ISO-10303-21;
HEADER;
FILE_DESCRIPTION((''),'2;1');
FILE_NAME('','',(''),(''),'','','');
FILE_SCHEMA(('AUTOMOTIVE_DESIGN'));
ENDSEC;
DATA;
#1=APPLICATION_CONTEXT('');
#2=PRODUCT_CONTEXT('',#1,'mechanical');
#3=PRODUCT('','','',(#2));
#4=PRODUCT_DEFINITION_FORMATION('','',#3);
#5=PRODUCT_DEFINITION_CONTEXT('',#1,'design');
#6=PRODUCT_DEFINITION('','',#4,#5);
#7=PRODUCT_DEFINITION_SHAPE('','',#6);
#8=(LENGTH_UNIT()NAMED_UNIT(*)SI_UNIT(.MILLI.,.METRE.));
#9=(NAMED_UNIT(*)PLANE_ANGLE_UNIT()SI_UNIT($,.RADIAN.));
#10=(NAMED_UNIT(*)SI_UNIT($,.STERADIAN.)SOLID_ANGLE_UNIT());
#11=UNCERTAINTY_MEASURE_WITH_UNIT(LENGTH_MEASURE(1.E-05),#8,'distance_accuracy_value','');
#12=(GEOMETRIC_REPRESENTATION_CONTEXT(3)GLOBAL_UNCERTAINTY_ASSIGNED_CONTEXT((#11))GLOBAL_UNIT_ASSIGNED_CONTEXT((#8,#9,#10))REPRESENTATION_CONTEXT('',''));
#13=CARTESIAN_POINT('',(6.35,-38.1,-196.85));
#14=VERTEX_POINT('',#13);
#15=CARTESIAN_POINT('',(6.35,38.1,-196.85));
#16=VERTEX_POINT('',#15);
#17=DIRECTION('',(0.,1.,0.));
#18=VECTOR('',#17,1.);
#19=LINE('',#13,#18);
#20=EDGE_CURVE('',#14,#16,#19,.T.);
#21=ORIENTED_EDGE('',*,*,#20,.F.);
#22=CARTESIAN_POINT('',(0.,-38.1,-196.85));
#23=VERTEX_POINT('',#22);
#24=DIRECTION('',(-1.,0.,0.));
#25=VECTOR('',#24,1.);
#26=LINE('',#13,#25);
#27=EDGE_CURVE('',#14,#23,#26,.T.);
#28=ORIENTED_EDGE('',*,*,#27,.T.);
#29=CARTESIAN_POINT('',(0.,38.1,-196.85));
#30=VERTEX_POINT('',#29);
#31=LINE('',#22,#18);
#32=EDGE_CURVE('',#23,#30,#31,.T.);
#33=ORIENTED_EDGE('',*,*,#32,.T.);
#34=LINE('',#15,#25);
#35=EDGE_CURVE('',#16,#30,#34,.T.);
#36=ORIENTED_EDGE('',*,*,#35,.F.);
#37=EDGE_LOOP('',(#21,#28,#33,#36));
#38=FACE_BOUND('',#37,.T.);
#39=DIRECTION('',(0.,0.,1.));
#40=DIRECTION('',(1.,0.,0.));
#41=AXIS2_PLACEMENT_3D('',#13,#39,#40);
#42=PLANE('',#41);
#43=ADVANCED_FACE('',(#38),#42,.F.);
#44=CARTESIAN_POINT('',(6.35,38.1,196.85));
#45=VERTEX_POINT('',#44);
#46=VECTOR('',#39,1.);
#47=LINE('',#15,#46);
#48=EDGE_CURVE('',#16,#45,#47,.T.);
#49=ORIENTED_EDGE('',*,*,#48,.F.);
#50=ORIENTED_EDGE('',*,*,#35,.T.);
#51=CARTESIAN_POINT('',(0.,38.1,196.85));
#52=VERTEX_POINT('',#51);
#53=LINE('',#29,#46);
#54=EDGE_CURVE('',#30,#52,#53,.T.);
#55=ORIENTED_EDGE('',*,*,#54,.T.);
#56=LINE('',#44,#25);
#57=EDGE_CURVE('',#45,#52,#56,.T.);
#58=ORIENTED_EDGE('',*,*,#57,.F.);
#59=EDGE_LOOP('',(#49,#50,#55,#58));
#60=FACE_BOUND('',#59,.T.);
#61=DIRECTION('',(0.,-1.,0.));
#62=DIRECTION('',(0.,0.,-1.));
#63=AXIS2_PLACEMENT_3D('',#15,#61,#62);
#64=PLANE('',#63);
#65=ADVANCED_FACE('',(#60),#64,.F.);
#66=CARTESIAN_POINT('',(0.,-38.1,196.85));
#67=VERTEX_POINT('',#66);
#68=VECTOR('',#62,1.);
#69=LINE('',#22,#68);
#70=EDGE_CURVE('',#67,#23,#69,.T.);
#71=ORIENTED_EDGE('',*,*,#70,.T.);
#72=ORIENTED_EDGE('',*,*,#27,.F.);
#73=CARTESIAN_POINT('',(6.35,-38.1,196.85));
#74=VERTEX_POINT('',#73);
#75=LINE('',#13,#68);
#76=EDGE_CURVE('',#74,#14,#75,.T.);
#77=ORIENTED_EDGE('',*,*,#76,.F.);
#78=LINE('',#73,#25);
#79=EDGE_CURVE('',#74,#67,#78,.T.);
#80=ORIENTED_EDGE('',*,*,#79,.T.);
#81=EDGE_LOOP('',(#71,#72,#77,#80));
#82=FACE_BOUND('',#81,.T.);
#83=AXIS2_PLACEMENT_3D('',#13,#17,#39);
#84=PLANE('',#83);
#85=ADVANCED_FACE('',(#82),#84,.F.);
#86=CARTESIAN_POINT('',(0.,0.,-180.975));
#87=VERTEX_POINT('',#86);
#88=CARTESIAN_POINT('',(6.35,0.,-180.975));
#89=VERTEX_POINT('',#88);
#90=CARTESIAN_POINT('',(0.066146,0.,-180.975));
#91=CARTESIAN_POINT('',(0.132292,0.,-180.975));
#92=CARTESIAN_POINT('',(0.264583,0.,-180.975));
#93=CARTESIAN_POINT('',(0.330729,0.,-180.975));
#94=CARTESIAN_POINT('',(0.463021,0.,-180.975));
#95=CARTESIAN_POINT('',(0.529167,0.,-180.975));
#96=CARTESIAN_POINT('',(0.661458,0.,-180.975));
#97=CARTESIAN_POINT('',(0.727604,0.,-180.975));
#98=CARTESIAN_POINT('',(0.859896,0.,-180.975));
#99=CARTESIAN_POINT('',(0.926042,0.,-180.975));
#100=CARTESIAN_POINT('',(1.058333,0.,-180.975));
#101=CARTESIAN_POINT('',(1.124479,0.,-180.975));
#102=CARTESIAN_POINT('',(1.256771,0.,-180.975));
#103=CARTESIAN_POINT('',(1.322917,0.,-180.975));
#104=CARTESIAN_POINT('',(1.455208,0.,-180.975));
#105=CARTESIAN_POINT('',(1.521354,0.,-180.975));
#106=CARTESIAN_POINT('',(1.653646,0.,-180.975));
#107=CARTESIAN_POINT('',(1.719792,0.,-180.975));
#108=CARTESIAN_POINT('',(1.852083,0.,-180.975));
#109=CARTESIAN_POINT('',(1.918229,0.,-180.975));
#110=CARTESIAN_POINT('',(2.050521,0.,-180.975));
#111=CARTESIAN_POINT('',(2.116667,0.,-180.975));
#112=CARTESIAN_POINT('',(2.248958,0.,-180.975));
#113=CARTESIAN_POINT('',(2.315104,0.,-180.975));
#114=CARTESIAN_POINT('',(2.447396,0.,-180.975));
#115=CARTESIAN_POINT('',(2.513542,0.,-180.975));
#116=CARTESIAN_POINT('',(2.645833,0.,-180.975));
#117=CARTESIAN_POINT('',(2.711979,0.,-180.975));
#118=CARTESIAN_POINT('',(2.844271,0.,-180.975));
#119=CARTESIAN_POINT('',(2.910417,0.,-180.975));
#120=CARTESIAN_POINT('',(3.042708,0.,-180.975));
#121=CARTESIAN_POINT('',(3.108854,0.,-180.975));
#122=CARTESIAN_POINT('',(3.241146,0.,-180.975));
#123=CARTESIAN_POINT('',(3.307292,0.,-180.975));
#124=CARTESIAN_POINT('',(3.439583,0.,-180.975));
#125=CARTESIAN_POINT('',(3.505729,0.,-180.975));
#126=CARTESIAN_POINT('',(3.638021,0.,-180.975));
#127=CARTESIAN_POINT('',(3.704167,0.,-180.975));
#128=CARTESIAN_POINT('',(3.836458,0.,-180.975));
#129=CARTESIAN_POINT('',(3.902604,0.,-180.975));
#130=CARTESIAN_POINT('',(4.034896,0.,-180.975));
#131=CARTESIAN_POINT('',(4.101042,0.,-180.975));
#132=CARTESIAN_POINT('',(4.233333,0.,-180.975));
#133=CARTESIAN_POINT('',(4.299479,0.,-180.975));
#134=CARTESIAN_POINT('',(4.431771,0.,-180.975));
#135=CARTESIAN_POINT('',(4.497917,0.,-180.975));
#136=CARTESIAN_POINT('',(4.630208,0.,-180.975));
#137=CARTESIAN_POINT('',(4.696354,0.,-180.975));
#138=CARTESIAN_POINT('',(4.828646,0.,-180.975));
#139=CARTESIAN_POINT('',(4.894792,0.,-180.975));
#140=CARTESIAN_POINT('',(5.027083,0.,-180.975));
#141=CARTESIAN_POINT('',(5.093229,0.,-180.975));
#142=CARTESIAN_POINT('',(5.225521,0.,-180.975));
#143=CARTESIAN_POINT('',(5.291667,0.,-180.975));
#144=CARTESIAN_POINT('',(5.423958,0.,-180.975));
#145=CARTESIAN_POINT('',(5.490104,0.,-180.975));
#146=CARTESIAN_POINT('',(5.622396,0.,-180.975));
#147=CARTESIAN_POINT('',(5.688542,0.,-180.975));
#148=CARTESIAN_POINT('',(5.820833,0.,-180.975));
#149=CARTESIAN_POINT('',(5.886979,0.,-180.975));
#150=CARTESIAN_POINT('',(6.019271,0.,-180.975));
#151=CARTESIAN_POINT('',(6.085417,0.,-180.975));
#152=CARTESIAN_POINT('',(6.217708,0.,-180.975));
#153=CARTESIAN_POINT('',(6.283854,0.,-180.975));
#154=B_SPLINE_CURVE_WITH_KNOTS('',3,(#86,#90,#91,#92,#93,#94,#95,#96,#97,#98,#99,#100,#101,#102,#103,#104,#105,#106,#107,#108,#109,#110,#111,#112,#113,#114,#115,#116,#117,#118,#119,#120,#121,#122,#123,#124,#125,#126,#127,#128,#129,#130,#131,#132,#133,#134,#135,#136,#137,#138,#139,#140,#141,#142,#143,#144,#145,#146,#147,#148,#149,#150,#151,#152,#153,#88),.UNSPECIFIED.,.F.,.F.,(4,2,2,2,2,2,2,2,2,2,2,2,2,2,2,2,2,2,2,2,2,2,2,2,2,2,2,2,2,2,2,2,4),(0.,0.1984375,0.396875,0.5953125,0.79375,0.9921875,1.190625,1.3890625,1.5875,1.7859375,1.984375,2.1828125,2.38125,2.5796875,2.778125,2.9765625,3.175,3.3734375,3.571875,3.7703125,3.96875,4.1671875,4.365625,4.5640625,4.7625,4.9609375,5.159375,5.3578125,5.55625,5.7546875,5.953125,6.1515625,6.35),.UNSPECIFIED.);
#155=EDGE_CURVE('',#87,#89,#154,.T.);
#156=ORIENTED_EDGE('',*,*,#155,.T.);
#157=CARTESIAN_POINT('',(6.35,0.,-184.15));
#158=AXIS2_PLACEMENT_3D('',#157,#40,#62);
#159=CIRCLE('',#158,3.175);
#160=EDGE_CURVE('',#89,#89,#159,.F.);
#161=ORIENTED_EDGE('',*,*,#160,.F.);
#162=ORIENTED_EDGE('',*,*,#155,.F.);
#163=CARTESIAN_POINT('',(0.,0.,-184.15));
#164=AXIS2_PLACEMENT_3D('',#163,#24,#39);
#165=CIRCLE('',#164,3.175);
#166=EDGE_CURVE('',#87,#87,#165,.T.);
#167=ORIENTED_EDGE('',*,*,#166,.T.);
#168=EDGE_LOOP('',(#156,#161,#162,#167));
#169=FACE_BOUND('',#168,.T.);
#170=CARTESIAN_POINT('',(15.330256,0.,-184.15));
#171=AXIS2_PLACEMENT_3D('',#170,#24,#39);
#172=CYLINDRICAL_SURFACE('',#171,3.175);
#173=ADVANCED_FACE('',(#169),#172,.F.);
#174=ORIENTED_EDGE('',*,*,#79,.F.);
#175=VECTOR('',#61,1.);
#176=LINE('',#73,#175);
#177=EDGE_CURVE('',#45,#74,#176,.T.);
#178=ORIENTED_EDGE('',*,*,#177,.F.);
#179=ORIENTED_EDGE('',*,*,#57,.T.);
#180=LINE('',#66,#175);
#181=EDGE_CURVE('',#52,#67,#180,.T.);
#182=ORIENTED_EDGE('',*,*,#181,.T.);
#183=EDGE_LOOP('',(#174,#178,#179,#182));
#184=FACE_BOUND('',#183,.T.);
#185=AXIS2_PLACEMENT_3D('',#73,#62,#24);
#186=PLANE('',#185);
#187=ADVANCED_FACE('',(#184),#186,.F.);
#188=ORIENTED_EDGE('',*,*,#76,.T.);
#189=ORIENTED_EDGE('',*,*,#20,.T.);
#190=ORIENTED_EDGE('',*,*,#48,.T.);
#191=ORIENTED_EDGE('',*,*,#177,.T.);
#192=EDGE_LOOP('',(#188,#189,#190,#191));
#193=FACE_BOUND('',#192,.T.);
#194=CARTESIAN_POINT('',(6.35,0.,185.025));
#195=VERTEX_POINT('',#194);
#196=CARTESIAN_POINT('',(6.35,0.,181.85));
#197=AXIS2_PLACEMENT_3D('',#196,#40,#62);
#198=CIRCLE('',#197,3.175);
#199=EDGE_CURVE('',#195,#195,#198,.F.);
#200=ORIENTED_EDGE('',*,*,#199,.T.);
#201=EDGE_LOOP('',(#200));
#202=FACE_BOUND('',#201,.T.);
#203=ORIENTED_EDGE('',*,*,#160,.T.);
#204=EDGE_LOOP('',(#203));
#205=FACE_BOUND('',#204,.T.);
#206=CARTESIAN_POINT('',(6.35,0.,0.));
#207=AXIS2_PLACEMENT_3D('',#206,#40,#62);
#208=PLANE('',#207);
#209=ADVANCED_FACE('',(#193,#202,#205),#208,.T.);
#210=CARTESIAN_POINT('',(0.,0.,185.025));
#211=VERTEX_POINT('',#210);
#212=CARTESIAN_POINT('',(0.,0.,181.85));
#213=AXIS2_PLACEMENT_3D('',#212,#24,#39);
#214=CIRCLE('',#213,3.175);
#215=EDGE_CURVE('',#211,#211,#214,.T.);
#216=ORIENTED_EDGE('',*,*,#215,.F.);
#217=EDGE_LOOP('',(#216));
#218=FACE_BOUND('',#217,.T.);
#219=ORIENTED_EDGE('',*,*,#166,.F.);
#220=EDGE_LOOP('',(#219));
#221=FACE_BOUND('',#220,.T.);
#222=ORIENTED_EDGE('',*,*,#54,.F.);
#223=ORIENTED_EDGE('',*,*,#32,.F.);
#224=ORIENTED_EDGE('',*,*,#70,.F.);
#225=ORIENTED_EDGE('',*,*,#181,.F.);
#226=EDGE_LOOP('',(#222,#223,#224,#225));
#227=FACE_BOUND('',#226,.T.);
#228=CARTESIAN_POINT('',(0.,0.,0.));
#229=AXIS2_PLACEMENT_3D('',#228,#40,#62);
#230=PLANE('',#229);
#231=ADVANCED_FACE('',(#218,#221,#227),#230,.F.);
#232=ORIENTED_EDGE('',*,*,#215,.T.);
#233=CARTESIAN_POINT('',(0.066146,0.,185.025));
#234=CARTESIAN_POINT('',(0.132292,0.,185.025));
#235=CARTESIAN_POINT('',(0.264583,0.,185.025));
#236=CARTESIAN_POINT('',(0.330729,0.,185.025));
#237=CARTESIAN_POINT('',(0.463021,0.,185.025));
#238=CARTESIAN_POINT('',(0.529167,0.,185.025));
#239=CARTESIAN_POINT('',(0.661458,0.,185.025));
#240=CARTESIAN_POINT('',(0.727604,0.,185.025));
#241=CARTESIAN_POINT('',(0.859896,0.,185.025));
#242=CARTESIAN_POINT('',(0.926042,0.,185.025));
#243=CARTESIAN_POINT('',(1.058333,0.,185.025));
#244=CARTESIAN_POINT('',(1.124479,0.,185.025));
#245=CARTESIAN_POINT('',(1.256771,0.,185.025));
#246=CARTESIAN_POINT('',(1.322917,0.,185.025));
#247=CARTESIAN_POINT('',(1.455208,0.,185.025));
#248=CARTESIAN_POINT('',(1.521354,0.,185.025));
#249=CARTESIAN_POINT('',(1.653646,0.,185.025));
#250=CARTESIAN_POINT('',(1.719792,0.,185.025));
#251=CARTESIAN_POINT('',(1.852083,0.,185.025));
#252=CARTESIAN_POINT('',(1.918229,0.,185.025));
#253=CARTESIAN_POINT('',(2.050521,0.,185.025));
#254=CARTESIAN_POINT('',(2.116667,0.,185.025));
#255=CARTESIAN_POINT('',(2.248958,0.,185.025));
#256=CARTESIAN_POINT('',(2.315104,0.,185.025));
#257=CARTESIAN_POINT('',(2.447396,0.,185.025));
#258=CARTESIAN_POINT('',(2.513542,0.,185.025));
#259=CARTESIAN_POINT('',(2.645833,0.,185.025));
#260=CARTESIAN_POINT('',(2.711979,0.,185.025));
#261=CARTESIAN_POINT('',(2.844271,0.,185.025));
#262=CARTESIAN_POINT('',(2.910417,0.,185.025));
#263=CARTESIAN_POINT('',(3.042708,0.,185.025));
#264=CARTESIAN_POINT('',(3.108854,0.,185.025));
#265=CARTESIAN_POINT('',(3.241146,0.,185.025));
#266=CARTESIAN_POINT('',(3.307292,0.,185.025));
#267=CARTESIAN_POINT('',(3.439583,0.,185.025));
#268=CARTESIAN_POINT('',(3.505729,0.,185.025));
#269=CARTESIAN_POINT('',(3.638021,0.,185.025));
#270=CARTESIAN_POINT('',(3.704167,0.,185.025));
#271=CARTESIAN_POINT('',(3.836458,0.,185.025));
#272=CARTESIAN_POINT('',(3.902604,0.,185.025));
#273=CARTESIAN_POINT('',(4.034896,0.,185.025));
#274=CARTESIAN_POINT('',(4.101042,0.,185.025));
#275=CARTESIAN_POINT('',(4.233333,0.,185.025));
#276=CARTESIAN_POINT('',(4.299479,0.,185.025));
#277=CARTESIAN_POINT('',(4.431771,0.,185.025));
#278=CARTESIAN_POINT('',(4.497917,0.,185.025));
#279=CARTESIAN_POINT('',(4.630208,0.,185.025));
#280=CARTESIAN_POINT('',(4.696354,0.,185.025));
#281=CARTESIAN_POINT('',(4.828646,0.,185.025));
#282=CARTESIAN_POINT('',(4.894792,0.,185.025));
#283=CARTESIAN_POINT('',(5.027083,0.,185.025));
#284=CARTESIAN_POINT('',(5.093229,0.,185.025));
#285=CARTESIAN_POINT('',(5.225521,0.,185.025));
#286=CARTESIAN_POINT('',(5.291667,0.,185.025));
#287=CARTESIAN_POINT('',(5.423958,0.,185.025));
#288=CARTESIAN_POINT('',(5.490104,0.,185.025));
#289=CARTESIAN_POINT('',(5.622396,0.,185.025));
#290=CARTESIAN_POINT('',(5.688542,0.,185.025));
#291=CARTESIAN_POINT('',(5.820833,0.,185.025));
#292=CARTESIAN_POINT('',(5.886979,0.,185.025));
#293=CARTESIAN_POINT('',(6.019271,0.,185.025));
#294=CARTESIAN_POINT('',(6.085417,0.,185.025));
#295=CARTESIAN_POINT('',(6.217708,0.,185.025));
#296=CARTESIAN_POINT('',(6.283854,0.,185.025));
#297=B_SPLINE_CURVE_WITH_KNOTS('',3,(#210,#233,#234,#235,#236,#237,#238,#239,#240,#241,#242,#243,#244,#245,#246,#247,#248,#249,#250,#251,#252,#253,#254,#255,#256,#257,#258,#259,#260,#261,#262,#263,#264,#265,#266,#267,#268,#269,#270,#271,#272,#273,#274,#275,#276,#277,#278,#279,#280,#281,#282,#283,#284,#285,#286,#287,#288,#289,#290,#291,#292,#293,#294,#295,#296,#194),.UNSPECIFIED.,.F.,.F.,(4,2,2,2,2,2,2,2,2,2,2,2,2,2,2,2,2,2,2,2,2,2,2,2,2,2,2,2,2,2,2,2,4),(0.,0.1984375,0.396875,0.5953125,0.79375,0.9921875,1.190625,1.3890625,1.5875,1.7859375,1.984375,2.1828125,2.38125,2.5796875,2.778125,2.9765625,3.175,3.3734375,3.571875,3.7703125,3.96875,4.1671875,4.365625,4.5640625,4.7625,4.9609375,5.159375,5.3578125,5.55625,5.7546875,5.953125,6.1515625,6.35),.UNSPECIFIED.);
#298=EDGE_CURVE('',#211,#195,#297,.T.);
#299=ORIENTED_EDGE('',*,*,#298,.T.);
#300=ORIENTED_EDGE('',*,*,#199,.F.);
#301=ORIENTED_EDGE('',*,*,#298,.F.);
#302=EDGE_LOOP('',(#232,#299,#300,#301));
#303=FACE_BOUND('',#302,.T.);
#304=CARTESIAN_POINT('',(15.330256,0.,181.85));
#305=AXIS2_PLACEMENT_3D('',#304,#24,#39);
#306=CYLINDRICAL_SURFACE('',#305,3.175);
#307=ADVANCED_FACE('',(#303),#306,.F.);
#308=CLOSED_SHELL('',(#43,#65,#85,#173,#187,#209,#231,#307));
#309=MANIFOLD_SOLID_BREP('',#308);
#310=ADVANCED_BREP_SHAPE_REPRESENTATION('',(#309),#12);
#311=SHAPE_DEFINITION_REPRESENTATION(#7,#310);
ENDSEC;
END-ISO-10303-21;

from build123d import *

# Parameters (mm, degrees)
SKETCH3_W           = 393.7
SKETCH3_H           = 76.2
BOSS_EXTRUDE1_DEPTH = 6.35
SKETCH4_R           = 3.175
CUT_EXTRUDE1_DEPTH  = 6.35
SKETCH6_R           = 3.175
CUT_EXTRUDE3_DEPTH  = 6.35


with BuildPart() as part:
    # Sketch3 → Boss-Extrude1 (new body)
    with BuildSketch(Plane(origin=(0, 0, 0), x_dir=(0, 0, -1), z_dir=(1, 0, 0))):
        Rectangle(SKETCH3_W, SKETCH3_H)
    extrude(amount=BOSS_EXTRUDE1_DEPTH)

    # Sketch4 → Cut-Extrude1 (cut)
    with BuildSketch(Plane.ZY):
        with Locations((181.85, 0)):
            Circle(SKETCH4_R)
    extrude(amount=-CUT_EXTRUDE1_DEPTH, mode=Mode.SUBTRACT)

    # Sketch6 → Cut-Extrude3 (cut)
    with BuildSketch(Plane.ZY):
        with Locations((-184.15, 0)):
            Circle(SKETCH6_R)
    extrude(amount=-CUT_EXTRUDE3_DEPTH, mode=Mode.SUBTRACT)


solid = part.part
